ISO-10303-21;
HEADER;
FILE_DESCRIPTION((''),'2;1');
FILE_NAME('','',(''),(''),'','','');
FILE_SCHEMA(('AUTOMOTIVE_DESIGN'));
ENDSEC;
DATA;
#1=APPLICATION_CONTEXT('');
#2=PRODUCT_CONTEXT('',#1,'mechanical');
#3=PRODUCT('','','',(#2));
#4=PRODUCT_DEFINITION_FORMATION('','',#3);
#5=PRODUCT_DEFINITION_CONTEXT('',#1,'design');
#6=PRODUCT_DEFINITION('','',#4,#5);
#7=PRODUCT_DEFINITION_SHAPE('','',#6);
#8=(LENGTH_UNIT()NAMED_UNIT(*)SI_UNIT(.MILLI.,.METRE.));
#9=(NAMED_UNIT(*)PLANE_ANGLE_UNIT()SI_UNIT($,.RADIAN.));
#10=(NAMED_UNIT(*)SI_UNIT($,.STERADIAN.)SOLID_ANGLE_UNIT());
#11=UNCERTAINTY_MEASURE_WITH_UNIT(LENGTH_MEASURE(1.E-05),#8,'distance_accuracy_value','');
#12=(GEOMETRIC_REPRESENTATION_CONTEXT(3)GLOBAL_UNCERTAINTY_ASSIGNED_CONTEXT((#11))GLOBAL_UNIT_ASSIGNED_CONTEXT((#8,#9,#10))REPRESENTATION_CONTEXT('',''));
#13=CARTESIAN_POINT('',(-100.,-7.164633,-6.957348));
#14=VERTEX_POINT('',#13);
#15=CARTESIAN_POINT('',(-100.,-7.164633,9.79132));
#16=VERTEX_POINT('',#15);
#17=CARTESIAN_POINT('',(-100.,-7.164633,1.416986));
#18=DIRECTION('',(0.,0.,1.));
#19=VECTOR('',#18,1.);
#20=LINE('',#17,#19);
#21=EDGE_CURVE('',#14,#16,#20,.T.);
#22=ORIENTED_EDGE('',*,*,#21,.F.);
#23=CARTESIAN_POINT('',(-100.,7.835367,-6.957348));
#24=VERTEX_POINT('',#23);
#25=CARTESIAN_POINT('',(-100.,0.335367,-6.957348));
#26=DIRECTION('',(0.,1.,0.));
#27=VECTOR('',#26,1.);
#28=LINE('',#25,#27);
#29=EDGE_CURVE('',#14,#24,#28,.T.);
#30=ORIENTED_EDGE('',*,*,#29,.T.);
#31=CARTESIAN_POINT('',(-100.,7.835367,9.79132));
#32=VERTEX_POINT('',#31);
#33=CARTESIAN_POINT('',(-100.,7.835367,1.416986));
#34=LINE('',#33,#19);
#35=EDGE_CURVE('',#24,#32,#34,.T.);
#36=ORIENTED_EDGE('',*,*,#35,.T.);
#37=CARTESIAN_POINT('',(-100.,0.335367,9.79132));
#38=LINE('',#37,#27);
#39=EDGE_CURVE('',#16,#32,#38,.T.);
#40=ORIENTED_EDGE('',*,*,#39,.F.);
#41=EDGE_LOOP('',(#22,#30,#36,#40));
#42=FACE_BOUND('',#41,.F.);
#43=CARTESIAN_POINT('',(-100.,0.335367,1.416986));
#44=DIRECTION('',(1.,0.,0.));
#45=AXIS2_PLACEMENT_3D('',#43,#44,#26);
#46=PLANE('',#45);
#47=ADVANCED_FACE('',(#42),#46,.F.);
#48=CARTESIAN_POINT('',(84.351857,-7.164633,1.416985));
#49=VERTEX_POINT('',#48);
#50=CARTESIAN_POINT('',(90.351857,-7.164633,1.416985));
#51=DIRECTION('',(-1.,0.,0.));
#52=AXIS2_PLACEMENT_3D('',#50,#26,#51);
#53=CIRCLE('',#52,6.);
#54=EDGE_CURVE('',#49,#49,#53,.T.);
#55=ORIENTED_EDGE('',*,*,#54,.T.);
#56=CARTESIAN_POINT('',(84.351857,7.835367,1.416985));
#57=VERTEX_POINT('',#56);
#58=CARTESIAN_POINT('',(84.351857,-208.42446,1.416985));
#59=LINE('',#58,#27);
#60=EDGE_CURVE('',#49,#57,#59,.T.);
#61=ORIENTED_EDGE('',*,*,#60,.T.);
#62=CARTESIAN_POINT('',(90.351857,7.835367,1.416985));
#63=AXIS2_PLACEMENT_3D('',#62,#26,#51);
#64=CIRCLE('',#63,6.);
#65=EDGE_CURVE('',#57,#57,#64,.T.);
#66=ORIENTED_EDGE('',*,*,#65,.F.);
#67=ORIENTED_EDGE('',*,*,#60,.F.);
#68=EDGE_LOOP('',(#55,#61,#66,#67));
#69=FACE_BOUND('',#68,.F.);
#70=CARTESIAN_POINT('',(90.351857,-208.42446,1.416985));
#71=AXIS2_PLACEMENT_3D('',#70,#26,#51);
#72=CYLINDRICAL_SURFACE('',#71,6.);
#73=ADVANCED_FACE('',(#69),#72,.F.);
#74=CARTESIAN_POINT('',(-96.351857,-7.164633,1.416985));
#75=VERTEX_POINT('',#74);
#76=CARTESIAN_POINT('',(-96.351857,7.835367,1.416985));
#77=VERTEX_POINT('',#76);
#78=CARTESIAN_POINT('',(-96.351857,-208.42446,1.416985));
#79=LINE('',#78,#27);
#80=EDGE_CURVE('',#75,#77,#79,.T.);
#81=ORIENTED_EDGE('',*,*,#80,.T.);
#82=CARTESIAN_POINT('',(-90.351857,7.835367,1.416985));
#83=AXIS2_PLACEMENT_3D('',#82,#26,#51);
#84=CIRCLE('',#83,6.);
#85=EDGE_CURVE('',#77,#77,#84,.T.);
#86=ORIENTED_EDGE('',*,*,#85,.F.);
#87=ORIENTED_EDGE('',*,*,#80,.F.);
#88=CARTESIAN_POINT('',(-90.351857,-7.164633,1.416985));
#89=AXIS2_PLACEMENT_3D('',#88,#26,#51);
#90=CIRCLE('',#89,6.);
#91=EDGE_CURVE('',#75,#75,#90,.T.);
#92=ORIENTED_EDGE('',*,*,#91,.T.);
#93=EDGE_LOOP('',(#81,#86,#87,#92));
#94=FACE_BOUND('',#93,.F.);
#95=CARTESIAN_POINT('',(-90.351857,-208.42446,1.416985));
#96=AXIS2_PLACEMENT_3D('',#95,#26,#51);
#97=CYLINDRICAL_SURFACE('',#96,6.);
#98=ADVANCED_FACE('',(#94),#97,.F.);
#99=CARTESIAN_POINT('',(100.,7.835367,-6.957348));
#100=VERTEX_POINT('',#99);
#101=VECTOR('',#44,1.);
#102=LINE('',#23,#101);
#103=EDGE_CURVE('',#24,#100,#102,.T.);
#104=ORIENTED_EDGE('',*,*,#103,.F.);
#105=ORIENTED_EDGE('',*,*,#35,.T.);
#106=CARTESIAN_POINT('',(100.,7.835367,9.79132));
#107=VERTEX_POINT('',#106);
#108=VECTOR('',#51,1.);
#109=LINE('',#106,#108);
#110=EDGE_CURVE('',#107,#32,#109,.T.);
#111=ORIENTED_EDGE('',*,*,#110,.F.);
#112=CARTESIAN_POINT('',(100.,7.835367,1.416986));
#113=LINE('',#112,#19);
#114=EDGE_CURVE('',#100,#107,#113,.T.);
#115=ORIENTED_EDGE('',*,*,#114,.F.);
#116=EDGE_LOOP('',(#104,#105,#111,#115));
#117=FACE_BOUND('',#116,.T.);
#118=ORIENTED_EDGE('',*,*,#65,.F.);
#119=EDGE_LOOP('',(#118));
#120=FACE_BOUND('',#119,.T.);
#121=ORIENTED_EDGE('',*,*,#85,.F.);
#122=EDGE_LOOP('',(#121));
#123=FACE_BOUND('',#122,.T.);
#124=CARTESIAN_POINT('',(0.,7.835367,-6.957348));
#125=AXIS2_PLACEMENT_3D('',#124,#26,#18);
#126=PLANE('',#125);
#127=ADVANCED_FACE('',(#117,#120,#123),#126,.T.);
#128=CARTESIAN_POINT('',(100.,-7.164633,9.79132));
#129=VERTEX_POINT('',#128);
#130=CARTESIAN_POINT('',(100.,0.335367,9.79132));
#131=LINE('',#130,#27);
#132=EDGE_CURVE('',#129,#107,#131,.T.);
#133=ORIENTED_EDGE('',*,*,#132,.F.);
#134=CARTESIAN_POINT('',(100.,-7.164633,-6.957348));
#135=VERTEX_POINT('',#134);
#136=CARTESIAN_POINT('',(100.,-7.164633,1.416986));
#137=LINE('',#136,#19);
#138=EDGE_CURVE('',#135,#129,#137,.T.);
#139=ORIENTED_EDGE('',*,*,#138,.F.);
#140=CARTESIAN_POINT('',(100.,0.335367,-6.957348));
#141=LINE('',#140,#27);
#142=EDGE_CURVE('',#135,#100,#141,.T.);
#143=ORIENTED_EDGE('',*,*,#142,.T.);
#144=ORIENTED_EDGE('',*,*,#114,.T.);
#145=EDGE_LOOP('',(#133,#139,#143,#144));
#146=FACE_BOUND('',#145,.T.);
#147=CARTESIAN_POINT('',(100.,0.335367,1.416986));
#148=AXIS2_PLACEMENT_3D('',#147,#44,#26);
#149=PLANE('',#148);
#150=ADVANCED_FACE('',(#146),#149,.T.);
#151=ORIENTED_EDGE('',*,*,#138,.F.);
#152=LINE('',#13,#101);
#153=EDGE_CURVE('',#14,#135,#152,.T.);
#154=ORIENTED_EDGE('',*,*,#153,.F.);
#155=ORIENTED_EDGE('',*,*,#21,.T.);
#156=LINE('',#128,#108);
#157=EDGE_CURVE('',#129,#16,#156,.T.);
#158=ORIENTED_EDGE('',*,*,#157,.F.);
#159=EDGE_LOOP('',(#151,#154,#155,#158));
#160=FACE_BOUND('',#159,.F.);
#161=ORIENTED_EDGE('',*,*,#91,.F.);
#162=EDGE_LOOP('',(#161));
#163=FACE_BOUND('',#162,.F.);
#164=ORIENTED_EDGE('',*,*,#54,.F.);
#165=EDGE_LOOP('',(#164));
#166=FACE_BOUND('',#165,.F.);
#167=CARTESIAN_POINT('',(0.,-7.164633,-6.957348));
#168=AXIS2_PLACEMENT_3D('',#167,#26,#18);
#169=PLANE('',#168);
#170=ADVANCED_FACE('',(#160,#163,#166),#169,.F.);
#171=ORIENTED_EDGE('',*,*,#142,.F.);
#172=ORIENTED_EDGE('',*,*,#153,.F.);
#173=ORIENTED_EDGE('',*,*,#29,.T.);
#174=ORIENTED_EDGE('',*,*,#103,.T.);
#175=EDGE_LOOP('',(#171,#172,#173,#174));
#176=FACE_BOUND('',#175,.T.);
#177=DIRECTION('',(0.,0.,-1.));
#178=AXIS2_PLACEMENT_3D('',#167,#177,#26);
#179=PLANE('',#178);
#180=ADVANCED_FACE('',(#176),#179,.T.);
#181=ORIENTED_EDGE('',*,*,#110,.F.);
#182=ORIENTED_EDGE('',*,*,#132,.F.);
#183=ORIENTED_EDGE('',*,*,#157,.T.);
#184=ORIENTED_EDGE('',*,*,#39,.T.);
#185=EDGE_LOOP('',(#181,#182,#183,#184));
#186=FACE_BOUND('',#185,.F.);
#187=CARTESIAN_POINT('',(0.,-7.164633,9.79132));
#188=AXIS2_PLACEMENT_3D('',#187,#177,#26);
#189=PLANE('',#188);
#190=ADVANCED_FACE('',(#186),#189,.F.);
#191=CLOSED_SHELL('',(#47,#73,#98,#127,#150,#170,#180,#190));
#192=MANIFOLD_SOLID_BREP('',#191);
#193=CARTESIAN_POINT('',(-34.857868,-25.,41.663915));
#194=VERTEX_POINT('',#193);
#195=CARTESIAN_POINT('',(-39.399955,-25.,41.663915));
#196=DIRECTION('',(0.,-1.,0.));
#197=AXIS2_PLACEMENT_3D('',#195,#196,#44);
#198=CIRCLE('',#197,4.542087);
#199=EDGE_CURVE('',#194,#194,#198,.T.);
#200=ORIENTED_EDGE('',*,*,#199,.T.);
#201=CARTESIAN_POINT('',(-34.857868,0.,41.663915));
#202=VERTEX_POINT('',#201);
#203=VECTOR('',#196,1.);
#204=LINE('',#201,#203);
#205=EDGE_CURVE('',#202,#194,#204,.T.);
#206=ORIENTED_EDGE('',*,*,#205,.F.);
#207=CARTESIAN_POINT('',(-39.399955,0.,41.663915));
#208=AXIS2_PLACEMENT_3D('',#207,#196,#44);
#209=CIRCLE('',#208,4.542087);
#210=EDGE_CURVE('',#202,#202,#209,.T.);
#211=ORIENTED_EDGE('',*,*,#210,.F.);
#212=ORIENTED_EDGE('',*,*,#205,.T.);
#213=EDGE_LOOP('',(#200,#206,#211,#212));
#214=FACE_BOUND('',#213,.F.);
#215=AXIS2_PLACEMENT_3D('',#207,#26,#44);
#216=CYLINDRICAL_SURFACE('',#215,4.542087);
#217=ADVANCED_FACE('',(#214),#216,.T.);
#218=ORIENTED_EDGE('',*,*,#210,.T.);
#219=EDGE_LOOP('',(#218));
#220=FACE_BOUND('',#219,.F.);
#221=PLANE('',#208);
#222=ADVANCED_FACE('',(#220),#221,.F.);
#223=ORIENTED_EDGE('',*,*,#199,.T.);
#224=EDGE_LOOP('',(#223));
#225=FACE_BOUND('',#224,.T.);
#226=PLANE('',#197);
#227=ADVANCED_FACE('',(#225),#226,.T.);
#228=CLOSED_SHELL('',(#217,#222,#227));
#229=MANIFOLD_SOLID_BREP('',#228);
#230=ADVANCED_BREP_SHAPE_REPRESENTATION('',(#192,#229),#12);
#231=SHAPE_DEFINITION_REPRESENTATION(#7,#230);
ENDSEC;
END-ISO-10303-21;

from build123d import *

# Parameters (mm, degrees)
F0_W     = 15
F0_H     = 16.748667
F1_DEPTH = 100
F3_D     = 12
F4_R     = 4.542087
F5_DEPTH = 25


with BuildPart() as f1:
    # F0 (on Right) → F1 (new body, symmetric)
    with BuildSketch(Plane.YZ):
        with Locations((0.335367, 1.416986)):
            Rectangle(F0_W, F0_H)
    extrude(amount=F1_DEPTH, both=True)

    # F3 (through all)
    with Locations(Plane.XZ.offset(7.164633)):
        with Locations((90.351857, 1.416985), (-90.351857, 1.416985)):
            Hole(F3_D / 2)


with BuildPart() as f5:
    # F4 (on Front) → F5 (new body)
    with BuildSketch(Plane.XZ):
        with Locations((-39.399955, 41.663915)):
            Circle(F4_R)
    extrude(amount=F5_DEPTH)


solid = Compound([f1.part, f5.part])
